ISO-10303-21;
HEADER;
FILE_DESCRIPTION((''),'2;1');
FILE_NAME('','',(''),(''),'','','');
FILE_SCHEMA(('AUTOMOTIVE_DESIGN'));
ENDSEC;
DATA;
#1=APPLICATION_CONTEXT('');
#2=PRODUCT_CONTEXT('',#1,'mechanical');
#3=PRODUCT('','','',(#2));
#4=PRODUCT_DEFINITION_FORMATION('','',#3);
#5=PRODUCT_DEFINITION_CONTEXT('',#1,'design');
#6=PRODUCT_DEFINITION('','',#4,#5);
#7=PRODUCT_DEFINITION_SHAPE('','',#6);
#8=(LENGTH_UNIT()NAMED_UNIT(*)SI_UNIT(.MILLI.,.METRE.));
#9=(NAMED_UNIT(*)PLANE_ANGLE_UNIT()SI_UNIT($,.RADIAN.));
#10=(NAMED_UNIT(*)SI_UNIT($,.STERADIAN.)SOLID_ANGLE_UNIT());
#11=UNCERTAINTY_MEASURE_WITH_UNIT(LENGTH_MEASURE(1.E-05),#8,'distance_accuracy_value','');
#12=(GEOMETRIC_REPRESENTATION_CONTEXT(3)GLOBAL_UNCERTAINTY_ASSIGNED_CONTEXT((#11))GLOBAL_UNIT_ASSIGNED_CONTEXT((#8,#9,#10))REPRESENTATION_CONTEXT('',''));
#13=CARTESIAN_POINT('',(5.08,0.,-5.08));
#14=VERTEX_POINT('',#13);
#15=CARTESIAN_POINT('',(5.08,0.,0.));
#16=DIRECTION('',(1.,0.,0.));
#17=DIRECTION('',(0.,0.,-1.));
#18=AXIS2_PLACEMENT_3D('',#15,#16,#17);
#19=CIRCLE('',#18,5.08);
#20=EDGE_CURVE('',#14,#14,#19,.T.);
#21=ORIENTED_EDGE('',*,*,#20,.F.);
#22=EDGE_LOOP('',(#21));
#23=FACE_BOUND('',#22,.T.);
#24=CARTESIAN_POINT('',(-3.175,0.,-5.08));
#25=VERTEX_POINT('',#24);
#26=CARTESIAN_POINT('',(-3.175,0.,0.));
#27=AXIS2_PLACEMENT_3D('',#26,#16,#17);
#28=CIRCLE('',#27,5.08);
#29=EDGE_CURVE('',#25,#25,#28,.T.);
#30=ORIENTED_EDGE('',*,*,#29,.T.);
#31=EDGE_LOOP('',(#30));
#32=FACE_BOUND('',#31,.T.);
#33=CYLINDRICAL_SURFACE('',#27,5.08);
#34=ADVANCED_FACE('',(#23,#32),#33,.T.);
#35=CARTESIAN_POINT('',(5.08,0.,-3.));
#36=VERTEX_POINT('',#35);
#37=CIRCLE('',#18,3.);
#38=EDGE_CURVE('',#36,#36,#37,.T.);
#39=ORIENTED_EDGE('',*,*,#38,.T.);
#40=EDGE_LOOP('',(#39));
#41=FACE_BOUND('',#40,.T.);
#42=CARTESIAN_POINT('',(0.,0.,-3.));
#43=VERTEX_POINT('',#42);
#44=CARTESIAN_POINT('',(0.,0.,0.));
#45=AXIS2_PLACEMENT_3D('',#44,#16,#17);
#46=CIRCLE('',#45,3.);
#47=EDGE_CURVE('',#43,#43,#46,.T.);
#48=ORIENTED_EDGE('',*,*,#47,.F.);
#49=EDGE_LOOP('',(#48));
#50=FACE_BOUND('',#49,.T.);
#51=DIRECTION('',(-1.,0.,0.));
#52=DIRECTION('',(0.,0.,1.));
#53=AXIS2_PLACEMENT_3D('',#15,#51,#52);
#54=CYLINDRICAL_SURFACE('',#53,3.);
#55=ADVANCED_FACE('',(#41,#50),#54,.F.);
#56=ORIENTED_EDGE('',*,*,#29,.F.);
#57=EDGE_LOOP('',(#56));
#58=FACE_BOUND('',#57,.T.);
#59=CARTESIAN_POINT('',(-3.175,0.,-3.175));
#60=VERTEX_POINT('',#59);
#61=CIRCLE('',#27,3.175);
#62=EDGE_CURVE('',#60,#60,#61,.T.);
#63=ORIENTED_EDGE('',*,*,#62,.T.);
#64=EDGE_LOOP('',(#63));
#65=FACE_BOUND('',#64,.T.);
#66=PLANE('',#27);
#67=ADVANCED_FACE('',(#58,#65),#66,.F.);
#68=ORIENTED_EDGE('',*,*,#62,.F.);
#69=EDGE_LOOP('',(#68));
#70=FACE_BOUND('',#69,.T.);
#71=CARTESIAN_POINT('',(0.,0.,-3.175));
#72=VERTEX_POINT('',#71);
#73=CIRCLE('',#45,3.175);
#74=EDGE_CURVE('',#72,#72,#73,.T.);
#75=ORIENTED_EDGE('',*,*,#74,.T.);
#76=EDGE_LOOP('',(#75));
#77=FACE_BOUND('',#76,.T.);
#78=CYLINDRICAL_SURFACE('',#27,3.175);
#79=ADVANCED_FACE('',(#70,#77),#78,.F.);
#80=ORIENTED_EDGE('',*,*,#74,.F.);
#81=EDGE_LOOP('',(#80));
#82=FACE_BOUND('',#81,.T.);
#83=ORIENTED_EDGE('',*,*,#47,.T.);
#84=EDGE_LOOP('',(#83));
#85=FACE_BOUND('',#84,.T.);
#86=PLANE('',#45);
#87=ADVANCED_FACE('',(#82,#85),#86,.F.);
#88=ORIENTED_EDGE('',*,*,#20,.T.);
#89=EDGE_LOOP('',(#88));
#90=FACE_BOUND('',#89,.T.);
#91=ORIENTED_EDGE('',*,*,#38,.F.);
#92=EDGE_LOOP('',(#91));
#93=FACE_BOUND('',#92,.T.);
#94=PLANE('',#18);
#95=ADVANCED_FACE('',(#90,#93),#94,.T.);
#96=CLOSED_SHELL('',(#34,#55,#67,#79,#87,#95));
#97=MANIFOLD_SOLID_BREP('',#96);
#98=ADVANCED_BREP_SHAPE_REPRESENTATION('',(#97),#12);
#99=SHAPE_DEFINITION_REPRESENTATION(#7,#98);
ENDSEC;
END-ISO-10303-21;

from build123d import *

# Parameters (mm, degrees)
SKETCH1_R           = 5.08
SKETCH1_R_2         = 3.175
BOSS_EXTRUDE1_DEPTH = 3.175
BOSS_EXTRUDE2_START = 5.08
SKETCH1_3_R         = 5.08
SKETCH1_3_R_2       = 3
BOSS_EXTRUDE2_DEPTH = 5.08


with BuildPart() as part:
    # Sketch1 → Boss-Extrude1 (new body)
    with BuildSketch(Plane(origin=(0, 0, 0), x_dir=(0, 0, -1), z_dir=(1, 0, 0))):
        Circle(SKETCH1_R)
        Circle(SKETCH1_R_2, mode=Mode.SUBTRACT)
    extrude(amount=-BOSS_EXTRUDE1_DEPTH)

    # Sketch1<3> → Boss-Extrude2 (add)
    with BuildSketch(Plane(origin=(0, 0, 0), x_dir=(0, 0, -1), z_dir=(1, 0, 0)).offset(BOSS_EXTRUDE2_START)):
        Circle(SKETCH1_3_R)
        Circle(SKETCH1_3_R_2, mode=Mode.SUBTRACT)
    extrude(amount=-BOSS_EXTRUDE2_DEPTH)


solid = part.part
